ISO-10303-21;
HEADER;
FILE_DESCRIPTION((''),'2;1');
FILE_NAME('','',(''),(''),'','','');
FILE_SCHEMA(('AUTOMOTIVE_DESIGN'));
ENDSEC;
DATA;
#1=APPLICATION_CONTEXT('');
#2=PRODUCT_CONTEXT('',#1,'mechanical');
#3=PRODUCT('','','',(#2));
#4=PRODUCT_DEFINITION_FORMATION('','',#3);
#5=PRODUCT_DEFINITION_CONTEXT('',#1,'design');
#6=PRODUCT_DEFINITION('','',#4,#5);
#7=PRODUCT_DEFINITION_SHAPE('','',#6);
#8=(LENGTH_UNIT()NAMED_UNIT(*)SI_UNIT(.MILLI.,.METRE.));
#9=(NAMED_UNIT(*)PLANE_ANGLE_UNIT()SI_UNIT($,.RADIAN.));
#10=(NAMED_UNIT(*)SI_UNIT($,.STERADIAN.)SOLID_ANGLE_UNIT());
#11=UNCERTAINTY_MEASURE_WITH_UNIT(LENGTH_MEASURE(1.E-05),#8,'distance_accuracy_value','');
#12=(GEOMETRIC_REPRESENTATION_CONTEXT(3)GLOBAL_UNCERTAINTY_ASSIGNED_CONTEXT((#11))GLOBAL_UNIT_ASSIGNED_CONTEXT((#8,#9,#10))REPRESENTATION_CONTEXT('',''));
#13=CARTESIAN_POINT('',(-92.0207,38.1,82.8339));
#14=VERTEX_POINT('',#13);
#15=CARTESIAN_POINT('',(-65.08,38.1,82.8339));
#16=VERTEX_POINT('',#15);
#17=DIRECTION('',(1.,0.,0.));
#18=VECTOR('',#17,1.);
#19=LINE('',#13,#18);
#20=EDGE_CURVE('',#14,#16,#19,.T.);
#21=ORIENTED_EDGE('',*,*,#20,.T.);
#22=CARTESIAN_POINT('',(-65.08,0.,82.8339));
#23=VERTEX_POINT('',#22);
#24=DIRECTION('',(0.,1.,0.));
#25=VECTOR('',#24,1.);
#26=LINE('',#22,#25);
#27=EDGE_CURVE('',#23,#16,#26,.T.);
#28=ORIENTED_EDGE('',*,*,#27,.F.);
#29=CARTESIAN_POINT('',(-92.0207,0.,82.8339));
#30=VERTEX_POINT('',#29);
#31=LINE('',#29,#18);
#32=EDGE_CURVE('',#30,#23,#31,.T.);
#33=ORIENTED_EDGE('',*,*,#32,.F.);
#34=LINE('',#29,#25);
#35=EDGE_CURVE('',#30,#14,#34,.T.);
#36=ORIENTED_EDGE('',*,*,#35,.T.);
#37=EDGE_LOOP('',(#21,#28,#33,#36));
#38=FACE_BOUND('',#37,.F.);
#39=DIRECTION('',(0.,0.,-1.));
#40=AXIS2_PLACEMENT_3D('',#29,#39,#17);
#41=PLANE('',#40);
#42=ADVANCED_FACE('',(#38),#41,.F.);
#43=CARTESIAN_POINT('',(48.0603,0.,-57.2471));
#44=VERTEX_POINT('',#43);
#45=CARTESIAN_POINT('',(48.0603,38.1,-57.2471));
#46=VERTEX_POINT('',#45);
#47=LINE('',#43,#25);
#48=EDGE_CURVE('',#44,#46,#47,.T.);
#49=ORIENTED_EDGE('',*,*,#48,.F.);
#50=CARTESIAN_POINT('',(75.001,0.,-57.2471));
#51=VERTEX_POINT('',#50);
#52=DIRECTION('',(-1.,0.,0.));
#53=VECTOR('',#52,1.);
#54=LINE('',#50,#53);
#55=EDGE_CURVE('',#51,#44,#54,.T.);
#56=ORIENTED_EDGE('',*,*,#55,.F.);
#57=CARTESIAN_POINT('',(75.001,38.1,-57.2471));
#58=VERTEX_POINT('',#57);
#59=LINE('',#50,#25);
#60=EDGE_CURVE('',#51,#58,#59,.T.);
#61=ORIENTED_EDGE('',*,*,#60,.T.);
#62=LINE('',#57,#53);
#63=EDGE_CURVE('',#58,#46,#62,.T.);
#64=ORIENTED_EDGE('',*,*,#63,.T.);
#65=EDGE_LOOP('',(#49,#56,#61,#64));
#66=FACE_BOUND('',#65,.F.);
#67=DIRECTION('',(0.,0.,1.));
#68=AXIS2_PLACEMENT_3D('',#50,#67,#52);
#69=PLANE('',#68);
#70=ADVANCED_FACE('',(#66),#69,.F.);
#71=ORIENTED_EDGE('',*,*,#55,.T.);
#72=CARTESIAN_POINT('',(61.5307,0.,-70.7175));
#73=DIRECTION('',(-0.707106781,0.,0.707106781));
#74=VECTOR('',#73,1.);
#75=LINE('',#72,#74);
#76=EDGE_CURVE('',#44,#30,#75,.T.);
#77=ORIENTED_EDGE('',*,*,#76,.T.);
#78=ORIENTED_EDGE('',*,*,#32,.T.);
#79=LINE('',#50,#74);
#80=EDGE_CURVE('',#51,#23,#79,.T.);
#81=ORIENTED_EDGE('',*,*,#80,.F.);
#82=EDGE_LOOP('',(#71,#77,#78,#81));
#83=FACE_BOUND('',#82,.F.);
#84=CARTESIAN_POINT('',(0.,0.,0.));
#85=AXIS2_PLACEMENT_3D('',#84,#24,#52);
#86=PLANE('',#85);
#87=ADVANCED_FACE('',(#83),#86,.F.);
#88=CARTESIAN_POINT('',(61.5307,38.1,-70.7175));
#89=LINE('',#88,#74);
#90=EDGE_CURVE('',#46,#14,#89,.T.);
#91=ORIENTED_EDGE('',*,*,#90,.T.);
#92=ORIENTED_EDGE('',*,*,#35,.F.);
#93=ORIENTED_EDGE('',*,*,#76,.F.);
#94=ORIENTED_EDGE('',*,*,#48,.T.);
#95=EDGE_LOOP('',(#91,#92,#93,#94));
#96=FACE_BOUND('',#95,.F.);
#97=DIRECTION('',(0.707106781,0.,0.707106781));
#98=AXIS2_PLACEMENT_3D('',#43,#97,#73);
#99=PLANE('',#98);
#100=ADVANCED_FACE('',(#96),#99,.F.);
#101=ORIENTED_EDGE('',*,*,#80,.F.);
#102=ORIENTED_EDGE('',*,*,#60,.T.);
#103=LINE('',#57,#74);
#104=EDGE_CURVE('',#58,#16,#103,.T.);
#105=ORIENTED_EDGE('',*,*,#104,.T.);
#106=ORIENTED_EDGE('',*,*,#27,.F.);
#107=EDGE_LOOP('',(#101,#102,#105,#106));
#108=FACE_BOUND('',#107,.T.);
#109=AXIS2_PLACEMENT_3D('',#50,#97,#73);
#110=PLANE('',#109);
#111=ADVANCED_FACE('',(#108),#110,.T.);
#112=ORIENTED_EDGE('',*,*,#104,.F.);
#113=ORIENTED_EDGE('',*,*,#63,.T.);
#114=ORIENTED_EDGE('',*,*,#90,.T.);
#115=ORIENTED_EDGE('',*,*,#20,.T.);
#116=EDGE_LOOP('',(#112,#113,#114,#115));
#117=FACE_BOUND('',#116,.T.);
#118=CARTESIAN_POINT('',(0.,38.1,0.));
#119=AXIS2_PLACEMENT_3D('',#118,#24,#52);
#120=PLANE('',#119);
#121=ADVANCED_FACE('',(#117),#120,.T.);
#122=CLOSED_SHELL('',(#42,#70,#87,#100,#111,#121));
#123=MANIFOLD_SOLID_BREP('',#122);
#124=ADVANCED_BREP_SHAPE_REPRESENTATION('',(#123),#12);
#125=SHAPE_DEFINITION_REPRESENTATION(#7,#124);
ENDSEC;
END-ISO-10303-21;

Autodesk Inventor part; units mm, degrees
ref_plane "YZ Plane" through (0, 0, 0) normal (1, 0, 0) x (0, 1, 0)
ref_plane "XZ Plane" through (0, 0, 0) normal (0, 1, 0) x (-1, 0, 0)
ref_plane "XY Plane" through (0, 0, 0) normal (0, 0, 1) x (1, 0, 0)
sketch "Sketch1" plane through (0, 0, 0) normal (0, 1, 0) x (-1, 0, 0)
  line L0 (-75.001, -57.2471) -> (65.08, 82.8339)
  line L1 (-75.001, -57.2471) -> (123.1034, -57.2471) construction
  line L2 (-75.001, -57.2471) -> (-61.5307, -70.7175)
  line L3 (-61.5307, -70.7175) -> (92.0207, 82.8339)
  line L4 (92.0207, 82.8339) -> (65.08, 82.8339)
  line L5 (-75.001, -57.2471) -> (-48.0603, -57.2471)
  point P0 (0, 0)
  dimension "d0" = 45
  dimension "d1" = 140.081
  dimension "d2" = 19.05
extrude "Extrusion1" add sketch "Sketch1" along normal blind 38.1 contours L0 L4 L3 L5
properties part number "BallGuide2x4"
